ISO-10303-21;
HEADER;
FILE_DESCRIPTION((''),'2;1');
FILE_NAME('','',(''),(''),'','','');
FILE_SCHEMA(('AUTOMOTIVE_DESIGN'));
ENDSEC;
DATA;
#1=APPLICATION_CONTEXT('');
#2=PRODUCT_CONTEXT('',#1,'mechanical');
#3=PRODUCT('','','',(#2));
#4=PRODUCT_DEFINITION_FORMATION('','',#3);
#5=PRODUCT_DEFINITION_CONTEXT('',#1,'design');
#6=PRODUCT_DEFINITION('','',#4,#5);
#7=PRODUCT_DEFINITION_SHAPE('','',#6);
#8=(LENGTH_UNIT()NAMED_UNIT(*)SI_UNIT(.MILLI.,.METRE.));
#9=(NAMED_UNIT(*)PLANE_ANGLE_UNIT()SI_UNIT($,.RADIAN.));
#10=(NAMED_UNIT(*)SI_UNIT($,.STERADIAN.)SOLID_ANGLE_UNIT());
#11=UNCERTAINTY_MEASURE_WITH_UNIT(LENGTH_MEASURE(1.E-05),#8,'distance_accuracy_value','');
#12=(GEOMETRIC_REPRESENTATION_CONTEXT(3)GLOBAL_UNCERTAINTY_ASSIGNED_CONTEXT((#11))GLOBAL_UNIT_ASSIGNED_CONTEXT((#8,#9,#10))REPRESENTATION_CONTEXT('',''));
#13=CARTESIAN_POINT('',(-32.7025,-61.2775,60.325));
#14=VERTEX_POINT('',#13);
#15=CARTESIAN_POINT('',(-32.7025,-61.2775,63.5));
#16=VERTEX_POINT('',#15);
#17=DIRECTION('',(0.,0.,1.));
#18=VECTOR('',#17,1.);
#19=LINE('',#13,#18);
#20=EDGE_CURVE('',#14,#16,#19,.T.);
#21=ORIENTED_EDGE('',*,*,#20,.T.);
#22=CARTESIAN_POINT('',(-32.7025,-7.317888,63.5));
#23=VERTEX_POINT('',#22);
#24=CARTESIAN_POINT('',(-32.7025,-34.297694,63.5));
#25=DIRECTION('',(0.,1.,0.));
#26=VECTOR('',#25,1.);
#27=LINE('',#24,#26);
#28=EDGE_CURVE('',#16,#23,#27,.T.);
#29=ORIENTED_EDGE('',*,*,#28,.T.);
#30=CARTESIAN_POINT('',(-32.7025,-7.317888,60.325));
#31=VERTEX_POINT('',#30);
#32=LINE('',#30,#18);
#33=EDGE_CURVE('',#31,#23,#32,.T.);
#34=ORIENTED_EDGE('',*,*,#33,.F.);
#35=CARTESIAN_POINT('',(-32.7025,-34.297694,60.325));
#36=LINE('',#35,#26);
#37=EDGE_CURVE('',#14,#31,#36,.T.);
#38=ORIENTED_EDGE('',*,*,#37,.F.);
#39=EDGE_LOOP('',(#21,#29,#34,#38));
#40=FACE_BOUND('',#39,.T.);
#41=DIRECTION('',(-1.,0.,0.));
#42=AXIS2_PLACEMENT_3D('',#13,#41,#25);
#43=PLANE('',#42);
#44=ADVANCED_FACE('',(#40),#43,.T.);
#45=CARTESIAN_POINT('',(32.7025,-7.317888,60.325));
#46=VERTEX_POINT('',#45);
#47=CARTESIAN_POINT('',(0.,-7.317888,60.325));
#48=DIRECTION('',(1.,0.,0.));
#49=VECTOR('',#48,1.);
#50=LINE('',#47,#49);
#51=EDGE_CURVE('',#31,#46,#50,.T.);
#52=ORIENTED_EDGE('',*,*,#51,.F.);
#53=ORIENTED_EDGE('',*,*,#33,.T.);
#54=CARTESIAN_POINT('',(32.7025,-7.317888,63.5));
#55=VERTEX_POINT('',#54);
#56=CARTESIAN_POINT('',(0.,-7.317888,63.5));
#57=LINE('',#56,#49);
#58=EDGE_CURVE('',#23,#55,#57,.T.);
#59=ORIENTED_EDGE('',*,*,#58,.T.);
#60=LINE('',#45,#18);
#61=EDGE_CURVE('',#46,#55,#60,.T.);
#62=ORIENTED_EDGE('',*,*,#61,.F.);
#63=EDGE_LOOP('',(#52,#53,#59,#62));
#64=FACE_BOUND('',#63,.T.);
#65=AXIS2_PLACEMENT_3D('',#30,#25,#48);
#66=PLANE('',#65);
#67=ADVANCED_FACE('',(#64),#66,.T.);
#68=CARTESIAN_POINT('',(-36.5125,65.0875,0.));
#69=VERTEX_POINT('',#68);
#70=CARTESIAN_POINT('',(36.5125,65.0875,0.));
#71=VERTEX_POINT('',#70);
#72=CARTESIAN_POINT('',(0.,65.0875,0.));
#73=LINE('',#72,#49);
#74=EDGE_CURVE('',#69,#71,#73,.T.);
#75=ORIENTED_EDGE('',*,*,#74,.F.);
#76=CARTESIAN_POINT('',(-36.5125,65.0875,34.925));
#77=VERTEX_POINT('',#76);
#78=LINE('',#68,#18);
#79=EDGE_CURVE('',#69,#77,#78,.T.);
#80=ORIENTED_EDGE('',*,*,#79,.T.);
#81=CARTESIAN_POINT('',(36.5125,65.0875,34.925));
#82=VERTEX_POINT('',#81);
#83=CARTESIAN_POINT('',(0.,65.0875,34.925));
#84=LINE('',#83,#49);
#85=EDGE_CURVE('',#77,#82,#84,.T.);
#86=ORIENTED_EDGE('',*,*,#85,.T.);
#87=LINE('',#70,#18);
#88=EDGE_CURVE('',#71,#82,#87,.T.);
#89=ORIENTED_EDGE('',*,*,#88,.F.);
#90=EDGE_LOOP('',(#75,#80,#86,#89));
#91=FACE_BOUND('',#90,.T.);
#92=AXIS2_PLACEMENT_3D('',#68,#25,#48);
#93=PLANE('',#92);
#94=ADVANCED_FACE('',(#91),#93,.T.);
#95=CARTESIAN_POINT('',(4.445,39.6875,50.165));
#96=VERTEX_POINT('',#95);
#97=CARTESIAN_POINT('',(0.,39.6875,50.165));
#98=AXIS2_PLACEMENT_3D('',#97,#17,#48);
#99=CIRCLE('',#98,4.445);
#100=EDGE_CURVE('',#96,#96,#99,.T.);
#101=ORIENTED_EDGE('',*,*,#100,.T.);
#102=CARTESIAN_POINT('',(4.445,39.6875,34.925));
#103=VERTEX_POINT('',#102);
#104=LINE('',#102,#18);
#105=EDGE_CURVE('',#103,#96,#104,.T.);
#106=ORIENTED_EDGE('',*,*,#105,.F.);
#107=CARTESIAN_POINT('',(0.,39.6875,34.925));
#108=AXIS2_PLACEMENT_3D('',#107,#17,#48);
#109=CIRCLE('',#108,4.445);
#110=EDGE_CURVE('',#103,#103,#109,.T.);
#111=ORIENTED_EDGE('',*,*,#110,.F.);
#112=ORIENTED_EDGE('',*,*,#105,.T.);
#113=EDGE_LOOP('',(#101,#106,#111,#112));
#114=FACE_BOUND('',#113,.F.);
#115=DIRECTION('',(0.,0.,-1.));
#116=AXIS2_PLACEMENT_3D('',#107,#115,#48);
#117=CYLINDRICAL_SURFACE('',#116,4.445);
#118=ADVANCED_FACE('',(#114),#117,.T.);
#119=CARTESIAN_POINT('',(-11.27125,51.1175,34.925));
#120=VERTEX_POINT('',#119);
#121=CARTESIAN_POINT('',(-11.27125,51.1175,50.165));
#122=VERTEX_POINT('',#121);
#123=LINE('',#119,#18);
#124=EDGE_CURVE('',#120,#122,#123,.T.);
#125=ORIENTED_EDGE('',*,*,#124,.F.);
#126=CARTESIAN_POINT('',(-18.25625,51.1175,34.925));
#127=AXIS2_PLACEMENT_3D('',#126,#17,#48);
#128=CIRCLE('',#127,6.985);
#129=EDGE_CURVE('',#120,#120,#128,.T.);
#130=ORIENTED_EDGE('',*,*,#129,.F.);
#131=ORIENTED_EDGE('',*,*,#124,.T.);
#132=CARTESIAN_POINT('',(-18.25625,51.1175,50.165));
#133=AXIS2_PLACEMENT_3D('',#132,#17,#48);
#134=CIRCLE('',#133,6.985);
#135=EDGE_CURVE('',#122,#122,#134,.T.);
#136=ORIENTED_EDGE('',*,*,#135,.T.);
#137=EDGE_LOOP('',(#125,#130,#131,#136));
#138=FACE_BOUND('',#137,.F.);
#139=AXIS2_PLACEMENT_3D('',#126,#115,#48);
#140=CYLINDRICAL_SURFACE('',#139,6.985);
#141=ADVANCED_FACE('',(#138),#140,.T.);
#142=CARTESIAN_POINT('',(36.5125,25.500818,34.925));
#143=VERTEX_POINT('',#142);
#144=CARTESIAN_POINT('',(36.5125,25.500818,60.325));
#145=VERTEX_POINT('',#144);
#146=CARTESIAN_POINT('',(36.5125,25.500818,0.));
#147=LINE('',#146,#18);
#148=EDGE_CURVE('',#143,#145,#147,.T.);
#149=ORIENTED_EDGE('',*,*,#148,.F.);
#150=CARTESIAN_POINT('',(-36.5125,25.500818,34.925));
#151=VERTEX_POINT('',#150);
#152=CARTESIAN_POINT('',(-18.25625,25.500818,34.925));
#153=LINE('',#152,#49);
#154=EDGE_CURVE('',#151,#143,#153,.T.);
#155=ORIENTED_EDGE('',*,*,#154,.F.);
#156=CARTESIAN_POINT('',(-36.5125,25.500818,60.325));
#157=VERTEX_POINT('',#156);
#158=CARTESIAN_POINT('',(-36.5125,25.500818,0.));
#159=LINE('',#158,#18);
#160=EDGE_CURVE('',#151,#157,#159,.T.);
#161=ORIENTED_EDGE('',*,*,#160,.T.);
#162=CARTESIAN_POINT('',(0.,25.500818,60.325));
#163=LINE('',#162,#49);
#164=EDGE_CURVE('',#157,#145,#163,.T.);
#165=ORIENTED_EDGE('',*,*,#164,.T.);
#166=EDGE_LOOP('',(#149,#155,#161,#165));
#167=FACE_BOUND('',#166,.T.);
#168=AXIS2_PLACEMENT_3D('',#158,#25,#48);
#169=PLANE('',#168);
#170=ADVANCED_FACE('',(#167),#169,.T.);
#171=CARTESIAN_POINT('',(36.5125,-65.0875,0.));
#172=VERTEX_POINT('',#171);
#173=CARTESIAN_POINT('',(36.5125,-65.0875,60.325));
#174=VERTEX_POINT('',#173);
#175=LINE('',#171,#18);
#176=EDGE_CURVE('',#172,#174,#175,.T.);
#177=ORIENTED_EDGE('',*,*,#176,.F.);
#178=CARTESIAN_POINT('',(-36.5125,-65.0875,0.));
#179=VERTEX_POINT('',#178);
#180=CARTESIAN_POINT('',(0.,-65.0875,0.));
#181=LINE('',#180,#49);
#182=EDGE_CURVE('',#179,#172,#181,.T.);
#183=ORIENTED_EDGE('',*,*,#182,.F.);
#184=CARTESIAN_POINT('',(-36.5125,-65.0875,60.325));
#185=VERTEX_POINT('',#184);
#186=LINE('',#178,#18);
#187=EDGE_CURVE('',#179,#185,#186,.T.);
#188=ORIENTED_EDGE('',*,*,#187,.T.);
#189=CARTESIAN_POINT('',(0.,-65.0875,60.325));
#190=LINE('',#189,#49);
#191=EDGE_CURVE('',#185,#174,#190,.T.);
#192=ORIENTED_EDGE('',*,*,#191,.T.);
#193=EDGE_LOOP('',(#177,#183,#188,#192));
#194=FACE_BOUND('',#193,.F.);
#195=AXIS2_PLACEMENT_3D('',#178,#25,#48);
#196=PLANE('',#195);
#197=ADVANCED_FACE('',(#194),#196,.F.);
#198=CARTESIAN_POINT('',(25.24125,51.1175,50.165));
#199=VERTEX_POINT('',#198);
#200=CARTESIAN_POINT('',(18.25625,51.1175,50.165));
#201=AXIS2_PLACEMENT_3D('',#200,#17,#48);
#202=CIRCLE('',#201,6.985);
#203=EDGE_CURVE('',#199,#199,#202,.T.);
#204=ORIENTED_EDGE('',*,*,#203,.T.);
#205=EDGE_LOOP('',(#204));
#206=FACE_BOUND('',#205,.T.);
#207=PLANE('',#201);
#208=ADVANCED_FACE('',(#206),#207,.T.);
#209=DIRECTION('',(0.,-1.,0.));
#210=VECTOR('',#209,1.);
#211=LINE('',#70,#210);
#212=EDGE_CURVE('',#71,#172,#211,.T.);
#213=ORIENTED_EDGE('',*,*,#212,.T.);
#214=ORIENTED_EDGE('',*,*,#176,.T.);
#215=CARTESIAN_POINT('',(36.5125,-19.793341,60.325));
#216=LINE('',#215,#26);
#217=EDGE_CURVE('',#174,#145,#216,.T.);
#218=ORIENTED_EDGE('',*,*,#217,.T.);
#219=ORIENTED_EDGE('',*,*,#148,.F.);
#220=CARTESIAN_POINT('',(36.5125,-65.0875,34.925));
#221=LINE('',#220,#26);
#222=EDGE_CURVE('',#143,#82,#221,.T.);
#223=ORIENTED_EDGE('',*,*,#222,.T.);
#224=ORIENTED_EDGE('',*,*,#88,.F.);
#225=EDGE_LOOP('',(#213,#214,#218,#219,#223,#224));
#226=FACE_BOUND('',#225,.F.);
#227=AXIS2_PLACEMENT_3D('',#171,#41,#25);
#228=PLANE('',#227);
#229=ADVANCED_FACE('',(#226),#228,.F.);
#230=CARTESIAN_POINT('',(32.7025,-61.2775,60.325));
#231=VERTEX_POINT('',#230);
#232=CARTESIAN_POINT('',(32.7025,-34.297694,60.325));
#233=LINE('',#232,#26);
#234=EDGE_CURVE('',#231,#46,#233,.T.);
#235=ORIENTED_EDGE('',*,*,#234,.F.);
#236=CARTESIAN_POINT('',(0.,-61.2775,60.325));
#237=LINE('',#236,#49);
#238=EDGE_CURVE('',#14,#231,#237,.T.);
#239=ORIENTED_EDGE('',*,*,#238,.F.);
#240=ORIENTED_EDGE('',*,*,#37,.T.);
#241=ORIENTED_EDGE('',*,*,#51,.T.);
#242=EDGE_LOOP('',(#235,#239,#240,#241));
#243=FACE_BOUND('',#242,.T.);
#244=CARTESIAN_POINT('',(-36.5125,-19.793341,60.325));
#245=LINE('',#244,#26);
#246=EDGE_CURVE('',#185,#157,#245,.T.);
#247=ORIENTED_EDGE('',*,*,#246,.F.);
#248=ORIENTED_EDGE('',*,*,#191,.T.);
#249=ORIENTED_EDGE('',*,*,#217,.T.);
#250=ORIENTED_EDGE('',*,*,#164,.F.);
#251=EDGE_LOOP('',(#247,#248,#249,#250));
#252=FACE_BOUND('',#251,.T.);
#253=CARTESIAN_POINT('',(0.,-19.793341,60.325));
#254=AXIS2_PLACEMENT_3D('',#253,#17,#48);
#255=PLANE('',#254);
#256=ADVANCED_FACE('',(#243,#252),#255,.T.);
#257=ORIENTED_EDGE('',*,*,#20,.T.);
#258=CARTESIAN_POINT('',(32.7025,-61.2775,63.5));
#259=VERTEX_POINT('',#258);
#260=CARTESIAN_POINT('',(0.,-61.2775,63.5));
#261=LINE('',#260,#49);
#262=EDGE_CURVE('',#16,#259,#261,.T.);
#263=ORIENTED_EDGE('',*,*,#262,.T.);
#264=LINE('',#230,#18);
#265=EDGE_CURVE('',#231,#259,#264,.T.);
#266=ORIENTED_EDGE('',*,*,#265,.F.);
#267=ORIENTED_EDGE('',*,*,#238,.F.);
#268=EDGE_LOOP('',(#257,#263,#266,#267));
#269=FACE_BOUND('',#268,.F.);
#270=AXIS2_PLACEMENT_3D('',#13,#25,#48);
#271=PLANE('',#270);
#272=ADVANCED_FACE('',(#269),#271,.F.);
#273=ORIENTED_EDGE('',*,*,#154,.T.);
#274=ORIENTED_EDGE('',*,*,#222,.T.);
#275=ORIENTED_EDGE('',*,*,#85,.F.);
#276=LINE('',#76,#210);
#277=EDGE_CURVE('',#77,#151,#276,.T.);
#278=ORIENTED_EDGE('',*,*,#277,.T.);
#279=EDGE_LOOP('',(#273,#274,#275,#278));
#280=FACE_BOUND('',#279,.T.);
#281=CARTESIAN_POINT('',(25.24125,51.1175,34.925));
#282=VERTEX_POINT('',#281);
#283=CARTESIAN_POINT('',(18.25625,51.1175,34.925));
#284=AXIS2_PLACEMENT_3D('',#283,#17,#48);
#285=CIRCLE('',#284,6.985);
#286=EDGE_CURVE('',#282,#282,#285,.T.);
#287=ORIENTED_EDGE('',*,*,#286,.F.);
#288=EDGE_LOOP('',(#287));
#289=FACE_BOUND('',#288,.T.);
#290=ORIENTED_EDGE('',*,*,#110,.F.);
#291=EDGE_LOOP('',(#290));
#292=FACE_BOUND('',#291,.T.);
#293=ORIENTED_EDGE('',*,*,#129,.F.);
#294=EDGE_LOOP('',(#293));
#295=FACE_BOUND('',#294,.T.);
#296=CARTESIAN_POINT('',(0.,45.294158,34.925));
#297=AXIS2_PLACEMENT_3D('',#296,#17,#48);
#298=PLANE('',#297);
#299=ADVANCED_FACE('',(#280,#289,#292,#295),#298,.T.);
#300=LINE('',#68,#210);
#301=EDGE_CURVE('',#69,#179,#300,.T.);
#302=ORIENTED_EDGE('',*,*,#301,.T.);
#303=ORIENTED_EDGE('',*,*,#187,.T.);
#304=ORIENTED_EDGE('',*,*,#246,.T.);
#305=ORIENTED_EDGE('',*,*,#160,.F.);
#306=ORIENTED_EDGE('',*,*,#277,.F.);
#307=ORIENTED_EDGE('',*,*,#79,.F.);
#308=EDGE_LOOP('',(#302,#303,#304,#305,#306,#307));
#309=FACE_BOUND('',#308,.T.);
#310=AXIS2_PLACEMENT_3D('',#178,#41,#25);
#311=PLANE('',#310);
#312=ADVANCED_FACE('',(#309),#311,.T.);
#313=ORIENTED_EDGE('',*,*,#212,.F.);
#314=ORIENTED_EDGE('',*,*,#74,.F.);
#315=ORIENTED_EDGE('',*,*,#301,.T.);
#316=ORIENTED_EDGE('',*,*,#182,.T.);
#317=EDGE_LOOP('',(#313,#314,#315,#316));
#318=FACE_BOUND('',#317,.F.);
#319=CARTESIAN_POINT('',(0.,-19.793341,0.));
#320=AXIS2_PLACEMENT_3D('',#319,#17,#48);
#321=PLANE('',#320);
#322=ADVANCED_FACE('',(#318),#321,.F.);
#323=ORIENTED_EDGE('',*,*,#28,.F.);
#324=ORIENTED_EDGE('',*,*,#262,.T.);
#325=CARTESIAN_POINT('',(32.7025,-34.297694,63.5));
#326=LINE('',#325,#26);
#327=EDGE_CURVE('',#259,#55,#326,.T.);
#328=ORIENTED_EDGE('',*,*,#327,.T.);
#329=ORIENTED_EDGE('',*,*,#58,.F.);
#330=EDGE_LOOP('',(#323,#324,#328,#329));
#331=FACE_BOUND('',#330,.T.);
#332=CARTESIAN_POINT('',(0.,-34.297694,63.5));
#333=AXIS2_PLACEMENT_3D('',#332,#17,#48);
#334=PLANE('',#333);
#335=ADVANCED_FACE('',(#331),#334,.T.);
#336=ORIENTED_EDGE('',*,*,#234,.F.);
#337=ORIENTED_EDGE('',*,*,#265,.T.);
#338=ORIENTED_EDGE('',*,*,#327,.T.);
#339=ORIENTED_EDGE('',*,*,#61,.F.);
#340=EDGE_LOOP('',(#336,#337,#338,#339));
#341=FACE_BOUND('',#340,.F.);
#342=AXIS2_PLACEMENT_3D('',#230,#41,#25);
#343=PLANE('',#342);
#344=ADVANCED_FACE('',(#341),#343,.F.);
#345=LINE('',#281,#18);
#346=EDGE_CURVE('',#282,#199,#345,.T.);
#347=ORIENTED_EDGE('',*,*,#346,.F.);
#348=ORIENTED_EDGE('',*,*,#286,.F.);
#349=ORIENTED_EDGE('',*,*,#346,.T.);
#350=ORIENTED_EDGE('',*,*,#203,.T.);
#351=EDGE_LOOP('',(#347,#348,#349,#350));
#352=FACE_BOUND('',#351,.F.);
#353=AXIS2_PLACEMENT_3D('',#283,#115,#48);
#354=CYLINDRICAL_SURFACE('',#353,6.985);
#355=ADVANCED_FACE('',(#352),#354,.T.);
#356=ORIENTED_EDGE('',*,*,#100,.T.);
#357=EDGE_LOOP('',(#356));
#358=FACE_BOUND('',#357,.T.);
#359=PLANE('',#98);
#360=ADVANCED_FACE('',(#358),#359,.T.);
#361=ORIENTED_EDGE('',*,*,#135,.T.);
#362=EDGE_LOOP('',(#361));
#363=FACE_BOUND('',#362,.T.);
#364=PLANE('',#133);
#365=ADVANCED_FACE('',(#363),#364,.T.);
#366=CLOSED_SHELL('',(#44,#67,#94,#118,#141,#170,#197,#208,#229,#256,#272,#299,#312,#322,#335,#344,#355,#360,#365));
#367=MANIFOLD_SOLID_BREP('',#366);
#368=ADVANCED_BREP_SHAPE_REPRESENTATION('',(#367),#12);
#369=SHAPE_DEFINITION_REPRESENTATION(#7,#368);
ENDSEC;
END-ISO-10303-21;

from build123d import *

# Parameters (mm, degrees)
F0_W     = 73.025
F0_H     = 90.588317
F1_DEPTH = 60.325
F0_H_2   = 39.586683
F2_DEPTH = 34.925
F3_W     = 65.405
F3_H     = 53.959612
F4_DEPTH = 3.175
F5_R     = 6.985
F5_R_2   = 4.445
F6_DEPTH = 15.24


with BuildPart() as f1:
    # F0 (on Top) → F1 (new body)
    with BuildSketch(Plane.XY):
        with Locations((0, -19.793341)):
            Rectangle(F0_W, F0_H)
    extrude(amount=F1_DEPTH)

    # F0 (on Top) → F2 (join)
    with BuildSketch(Plane.XY):
        with Locations((0, 45.294158)):
            Rectangle(F0_W, F0_H_2)
        with Locations((0, -19.793341)):
            Rectangle(F0_W, F0_H)
    extrude(amount=F2_DEPTH)

    # F3 (on face) → F4 (join)
    with BuildSketch(Plane.XY.offset(60.325)):
        with Locations((0, -34.297694)):
            Rectangle(F3_W, F3_H)
    extrude(amount=F4_DEPTH)

    # F5 (on face) → F6 (join)
    with BuildSketch(Plane.XY.offset(34.925)):
        with Locations((-18.25625, 51.1175)):
            Circle(F5_R)
        with Locations((0, 39.6875)):
            Circle(F5_R_2)
        with Locations((18.25625, 51.1175)):
            Circle(F5_R)
    extrude(amount=F6_DEPTH)


solid = f1.part
